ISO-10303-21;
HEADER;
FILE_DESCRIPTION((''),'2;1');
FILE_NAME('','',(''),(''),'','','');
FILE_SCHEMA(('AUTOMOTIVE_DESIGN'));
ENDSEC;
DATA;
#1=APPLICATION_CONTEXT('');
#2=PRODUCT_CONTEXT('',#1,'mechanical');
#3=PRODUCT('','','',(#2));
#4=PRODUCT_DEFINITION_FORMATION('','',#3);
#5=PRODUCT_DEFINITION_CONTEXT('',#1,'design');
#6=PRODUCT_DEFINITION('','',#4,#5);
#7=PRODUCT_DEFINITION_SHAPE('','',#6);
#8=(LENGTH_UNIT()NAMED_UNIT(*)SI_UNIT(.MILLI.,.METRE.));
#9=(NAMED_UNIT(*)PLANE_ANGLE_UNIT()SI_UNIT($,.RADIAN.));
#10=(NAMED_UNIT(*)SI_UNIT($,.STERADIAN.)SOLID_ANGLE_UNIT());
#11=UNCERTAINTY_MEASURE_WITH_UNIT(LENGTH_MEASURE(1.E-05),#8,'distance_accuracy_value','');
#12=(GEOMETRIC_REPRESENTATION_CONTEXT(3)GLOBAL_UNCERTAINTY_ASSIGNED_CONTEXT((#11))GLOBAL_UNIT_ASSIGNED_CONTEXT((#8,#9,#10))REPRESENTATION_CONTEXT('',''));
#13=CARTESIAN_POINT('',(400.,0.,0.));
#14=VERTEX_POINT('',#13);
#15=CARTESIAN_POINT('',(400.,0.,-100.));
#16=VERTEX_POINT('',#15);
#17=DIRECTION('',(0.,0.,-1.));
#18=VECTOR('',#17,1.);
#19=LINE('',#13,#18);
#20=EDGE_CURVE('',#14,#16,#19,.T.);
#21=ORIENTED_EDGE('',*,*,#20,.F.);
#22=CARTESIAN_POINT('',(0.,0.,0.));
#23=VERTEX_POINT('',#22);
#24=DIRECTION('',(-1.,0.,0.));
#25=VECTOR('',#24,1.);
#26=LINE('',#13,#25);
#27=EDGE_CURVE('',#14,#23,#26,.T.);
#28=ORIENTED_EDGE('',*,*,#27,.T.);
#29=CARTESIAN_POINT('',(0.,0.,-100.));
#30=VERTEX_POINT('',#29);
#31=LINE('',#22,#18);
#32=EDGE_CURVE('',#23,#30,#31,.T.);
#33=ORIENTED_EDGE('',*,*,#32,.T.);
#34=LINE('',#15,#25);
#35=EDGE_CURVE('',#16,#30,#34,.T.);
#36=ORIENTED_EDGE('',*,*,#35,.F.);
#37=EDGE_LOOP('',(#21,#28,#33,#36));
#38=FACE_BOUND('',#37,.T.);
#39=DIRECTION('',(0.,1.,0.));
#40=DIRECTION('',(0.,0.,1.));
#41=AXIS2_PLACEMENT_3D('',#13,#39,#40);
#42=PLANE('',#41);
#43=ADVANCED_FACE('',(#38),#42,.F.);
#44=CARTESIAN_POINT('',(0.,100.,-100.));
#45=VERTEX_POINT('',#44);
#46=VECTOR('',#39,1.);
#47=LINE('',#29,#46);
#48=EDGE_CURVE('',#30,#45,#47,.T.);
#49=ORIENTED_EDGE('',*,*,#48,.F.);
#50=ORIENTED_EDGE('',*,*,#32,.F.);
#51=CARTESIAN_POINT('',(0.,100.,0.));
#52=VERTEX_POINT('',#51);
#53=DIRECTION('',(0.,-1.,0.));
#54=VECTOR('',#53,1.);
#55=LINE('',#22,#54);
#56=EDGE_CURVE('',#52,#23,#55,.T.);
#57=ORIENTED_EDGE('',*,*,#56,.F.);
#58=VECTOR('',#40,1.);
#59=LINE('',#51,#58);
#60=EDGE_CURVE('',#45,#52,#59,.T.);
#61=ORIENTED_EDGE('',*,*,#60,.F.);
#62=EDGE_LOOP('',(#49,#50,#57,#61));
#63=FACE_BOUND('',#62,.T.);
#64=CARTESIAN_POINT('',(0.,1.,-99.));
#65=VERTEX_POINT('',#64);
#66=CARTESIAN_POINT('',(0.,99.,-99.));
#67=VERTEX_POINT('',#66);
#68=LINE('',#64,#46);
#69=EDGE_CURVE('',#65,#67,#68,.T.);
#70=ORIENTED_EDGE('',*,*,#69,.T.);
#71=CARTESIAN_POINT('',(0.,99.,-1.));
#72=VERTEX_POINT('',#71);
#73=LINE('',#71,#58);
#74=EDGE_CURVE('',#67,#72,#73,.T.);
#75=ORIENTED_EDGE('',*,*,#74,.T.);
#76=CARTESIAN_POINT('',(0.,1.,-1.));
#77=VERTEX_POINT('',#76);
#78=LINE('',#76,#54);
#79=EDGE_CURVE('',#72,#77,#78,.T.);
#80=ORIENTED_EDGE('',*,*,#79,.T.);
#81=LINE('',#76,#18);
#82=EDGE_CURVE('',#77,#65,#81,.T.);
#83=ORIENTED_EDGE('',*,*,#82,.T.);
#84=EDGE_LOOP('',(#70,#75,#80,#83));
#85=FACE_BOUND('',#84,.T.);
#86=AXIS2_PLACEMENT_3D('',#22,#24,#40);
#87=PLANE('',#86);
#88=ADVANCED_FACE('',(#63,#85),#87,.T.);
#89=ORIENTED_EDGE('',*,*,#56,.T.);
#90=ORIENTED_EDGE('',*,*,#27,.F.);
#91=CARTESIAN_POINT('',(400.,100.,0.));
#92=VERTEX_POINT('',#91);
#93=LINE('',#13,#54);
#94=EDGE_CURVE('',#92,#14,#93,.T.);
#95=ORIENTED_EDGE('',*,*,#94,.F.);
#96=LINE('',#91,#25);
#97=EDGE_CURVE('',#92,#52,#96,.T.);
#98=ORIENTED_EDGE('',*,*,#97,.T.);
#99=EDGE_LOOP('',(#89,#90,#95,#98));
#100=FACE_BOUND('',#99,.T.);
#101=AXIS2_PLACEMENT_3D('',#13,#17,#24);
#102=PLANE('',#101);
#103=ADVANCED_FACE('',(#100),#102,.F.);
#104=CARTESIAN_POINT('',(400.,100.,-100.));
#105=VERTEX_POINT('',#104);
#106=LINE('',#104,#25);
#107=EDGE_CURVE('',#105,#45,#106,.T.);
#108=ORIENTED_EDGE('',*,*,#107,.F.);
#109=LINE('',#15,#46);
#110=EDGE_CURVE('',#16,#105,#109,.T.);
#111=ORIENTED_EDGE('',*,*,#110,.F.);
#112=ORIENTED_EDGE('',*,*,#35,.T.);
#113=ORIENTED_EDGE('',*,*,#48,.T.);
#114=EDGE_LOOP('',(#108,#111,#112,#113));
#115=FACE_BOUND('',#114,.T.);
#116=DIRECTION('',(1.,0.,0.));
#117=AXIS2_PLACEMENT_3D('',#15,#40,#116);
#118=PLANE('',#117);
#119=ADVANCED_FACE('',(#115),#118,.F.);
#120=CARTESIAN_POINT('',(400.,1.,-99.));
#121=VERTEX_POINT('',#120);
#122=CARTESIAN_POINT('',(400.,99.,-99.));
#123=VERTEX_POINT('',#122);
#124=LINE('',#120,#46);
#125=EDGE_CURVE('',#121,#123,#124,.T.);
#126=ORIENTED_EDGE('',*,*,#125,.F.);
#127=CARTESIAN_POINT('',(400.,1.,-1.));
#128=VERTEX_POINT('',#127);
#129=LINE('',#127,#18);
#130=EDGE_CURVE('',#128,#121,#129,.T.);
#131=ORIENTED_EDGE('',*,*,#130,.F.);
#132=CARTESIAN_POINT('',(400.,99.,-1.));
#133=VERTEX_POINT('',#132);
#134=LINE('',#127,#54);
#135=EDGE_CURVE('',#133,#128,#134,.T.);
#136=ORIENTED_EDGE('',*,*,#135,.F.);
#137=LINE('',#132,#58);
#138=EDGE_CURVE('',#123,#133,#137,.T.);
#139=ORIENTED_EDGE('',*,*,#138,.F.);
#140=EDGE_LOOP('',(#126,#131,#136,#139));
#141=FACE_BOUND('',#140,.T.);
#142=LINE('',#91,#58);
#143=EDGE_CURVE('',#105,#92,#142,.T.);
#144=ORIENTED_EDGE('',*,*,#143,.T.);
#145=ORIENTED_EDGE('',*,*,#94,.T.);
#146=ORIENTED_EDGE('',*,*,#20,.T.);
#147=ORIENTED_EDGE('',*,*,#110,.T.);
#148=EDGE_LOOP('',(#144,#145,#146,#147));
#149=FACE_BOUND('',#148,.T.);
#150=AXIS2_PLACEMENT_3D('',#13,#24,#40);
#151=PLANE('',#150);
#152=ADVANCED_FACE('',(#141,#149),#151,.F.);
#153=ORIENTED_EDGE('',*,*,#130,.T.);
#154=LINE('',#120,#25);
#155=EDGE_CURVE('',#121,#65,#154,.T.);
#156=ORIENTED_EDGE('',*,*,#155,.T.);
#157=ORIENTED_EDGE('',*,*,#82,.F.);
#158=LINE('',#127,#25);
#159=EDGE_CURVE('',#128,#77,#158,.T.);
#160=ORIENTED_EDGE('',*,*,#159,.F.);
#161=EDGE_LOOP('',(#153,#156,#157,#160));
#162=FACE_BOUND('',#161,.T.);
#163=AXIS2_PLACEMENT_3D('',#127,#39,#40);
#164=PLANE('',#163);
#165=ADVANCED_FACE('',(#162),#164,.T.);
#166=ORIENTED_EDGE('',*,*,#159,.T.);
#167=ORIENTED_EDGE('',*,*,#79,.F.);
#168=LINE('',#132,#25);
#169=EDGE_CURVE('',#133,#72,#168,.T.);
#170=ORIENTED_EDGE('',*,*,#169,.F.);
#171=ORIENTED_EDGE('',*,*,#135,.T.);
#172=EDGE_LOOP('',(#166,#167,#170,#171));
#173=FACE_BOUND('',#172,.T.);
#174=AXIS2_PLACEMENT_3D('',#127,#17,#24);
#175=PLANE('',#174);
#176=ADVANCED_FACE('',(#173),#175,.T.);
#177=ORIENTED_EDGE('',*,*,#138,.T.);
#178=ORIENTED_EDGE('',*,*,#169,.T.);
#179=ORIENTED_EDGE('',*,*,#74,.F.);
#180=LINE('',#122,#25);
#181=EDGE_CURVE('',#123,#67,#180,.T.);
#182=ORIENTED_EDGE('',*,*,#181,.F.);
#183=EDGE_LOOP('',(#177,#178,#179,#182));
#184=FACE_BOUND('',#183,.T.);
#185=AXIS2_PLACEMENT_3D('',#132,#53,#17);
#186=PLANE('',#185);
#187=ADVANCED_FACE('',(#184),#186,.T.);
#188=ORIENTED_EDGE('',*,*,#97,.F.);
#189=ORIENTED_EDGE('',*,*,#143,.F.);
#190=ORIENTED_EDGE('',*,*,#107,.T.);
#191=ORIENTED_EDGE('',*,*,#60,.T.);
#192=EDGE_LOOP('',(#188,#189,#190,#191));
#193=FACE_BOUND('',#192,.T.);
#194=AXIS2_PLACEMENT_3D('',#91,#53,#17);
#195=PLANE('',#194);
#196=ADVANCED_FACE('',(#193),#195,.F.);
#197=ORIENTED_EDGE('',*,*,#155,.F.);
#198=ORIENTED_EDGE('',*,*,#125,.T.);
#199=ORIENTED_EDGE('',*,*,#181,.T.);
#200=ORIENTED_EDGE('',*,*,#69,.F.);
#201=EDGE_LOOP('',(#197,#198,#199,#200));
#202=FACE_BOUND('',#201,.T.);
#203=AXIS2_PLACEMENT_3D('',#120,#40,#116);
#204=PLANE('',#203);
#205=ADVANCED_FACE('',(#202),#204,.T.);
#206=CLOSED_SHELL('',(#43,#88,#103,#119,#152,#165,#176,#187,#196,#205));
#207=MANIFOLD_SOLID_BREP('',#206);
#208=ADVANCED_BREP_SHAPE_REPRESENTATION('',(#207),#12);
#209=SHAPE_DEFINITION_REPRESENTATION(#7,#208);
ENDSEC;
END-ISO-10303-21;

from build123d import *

# Parameters (mm, degrees)
SKETCH1_W           = 100
SKETCH1_H           = 100
SKETCH1_W_2         = 98
SKETCH1_H_2         = 98
BOSS_EXTRUDE1_DEPTH = 400


with BuildPart() as part:
    # Sketch1 → Boss-Extrude1 (new body)
    with BuildSketch(Plane(origin=(0, 0, 0), x_dir=(0, 0, -1), z_dir=(1, 0, 0))):
        with Locations((50, 50)):
            Rectangle(SKETCH1_W, SKETCH1_H)
        with Locations((50, 50)):
            Rectangle(SKETCH1_W_2, SKETCH1_H_2, mode=Mode.SUBTRACT)
    extrude(amount=BOSS_EXTRUDE1_DEPTH)


solid = part.part
